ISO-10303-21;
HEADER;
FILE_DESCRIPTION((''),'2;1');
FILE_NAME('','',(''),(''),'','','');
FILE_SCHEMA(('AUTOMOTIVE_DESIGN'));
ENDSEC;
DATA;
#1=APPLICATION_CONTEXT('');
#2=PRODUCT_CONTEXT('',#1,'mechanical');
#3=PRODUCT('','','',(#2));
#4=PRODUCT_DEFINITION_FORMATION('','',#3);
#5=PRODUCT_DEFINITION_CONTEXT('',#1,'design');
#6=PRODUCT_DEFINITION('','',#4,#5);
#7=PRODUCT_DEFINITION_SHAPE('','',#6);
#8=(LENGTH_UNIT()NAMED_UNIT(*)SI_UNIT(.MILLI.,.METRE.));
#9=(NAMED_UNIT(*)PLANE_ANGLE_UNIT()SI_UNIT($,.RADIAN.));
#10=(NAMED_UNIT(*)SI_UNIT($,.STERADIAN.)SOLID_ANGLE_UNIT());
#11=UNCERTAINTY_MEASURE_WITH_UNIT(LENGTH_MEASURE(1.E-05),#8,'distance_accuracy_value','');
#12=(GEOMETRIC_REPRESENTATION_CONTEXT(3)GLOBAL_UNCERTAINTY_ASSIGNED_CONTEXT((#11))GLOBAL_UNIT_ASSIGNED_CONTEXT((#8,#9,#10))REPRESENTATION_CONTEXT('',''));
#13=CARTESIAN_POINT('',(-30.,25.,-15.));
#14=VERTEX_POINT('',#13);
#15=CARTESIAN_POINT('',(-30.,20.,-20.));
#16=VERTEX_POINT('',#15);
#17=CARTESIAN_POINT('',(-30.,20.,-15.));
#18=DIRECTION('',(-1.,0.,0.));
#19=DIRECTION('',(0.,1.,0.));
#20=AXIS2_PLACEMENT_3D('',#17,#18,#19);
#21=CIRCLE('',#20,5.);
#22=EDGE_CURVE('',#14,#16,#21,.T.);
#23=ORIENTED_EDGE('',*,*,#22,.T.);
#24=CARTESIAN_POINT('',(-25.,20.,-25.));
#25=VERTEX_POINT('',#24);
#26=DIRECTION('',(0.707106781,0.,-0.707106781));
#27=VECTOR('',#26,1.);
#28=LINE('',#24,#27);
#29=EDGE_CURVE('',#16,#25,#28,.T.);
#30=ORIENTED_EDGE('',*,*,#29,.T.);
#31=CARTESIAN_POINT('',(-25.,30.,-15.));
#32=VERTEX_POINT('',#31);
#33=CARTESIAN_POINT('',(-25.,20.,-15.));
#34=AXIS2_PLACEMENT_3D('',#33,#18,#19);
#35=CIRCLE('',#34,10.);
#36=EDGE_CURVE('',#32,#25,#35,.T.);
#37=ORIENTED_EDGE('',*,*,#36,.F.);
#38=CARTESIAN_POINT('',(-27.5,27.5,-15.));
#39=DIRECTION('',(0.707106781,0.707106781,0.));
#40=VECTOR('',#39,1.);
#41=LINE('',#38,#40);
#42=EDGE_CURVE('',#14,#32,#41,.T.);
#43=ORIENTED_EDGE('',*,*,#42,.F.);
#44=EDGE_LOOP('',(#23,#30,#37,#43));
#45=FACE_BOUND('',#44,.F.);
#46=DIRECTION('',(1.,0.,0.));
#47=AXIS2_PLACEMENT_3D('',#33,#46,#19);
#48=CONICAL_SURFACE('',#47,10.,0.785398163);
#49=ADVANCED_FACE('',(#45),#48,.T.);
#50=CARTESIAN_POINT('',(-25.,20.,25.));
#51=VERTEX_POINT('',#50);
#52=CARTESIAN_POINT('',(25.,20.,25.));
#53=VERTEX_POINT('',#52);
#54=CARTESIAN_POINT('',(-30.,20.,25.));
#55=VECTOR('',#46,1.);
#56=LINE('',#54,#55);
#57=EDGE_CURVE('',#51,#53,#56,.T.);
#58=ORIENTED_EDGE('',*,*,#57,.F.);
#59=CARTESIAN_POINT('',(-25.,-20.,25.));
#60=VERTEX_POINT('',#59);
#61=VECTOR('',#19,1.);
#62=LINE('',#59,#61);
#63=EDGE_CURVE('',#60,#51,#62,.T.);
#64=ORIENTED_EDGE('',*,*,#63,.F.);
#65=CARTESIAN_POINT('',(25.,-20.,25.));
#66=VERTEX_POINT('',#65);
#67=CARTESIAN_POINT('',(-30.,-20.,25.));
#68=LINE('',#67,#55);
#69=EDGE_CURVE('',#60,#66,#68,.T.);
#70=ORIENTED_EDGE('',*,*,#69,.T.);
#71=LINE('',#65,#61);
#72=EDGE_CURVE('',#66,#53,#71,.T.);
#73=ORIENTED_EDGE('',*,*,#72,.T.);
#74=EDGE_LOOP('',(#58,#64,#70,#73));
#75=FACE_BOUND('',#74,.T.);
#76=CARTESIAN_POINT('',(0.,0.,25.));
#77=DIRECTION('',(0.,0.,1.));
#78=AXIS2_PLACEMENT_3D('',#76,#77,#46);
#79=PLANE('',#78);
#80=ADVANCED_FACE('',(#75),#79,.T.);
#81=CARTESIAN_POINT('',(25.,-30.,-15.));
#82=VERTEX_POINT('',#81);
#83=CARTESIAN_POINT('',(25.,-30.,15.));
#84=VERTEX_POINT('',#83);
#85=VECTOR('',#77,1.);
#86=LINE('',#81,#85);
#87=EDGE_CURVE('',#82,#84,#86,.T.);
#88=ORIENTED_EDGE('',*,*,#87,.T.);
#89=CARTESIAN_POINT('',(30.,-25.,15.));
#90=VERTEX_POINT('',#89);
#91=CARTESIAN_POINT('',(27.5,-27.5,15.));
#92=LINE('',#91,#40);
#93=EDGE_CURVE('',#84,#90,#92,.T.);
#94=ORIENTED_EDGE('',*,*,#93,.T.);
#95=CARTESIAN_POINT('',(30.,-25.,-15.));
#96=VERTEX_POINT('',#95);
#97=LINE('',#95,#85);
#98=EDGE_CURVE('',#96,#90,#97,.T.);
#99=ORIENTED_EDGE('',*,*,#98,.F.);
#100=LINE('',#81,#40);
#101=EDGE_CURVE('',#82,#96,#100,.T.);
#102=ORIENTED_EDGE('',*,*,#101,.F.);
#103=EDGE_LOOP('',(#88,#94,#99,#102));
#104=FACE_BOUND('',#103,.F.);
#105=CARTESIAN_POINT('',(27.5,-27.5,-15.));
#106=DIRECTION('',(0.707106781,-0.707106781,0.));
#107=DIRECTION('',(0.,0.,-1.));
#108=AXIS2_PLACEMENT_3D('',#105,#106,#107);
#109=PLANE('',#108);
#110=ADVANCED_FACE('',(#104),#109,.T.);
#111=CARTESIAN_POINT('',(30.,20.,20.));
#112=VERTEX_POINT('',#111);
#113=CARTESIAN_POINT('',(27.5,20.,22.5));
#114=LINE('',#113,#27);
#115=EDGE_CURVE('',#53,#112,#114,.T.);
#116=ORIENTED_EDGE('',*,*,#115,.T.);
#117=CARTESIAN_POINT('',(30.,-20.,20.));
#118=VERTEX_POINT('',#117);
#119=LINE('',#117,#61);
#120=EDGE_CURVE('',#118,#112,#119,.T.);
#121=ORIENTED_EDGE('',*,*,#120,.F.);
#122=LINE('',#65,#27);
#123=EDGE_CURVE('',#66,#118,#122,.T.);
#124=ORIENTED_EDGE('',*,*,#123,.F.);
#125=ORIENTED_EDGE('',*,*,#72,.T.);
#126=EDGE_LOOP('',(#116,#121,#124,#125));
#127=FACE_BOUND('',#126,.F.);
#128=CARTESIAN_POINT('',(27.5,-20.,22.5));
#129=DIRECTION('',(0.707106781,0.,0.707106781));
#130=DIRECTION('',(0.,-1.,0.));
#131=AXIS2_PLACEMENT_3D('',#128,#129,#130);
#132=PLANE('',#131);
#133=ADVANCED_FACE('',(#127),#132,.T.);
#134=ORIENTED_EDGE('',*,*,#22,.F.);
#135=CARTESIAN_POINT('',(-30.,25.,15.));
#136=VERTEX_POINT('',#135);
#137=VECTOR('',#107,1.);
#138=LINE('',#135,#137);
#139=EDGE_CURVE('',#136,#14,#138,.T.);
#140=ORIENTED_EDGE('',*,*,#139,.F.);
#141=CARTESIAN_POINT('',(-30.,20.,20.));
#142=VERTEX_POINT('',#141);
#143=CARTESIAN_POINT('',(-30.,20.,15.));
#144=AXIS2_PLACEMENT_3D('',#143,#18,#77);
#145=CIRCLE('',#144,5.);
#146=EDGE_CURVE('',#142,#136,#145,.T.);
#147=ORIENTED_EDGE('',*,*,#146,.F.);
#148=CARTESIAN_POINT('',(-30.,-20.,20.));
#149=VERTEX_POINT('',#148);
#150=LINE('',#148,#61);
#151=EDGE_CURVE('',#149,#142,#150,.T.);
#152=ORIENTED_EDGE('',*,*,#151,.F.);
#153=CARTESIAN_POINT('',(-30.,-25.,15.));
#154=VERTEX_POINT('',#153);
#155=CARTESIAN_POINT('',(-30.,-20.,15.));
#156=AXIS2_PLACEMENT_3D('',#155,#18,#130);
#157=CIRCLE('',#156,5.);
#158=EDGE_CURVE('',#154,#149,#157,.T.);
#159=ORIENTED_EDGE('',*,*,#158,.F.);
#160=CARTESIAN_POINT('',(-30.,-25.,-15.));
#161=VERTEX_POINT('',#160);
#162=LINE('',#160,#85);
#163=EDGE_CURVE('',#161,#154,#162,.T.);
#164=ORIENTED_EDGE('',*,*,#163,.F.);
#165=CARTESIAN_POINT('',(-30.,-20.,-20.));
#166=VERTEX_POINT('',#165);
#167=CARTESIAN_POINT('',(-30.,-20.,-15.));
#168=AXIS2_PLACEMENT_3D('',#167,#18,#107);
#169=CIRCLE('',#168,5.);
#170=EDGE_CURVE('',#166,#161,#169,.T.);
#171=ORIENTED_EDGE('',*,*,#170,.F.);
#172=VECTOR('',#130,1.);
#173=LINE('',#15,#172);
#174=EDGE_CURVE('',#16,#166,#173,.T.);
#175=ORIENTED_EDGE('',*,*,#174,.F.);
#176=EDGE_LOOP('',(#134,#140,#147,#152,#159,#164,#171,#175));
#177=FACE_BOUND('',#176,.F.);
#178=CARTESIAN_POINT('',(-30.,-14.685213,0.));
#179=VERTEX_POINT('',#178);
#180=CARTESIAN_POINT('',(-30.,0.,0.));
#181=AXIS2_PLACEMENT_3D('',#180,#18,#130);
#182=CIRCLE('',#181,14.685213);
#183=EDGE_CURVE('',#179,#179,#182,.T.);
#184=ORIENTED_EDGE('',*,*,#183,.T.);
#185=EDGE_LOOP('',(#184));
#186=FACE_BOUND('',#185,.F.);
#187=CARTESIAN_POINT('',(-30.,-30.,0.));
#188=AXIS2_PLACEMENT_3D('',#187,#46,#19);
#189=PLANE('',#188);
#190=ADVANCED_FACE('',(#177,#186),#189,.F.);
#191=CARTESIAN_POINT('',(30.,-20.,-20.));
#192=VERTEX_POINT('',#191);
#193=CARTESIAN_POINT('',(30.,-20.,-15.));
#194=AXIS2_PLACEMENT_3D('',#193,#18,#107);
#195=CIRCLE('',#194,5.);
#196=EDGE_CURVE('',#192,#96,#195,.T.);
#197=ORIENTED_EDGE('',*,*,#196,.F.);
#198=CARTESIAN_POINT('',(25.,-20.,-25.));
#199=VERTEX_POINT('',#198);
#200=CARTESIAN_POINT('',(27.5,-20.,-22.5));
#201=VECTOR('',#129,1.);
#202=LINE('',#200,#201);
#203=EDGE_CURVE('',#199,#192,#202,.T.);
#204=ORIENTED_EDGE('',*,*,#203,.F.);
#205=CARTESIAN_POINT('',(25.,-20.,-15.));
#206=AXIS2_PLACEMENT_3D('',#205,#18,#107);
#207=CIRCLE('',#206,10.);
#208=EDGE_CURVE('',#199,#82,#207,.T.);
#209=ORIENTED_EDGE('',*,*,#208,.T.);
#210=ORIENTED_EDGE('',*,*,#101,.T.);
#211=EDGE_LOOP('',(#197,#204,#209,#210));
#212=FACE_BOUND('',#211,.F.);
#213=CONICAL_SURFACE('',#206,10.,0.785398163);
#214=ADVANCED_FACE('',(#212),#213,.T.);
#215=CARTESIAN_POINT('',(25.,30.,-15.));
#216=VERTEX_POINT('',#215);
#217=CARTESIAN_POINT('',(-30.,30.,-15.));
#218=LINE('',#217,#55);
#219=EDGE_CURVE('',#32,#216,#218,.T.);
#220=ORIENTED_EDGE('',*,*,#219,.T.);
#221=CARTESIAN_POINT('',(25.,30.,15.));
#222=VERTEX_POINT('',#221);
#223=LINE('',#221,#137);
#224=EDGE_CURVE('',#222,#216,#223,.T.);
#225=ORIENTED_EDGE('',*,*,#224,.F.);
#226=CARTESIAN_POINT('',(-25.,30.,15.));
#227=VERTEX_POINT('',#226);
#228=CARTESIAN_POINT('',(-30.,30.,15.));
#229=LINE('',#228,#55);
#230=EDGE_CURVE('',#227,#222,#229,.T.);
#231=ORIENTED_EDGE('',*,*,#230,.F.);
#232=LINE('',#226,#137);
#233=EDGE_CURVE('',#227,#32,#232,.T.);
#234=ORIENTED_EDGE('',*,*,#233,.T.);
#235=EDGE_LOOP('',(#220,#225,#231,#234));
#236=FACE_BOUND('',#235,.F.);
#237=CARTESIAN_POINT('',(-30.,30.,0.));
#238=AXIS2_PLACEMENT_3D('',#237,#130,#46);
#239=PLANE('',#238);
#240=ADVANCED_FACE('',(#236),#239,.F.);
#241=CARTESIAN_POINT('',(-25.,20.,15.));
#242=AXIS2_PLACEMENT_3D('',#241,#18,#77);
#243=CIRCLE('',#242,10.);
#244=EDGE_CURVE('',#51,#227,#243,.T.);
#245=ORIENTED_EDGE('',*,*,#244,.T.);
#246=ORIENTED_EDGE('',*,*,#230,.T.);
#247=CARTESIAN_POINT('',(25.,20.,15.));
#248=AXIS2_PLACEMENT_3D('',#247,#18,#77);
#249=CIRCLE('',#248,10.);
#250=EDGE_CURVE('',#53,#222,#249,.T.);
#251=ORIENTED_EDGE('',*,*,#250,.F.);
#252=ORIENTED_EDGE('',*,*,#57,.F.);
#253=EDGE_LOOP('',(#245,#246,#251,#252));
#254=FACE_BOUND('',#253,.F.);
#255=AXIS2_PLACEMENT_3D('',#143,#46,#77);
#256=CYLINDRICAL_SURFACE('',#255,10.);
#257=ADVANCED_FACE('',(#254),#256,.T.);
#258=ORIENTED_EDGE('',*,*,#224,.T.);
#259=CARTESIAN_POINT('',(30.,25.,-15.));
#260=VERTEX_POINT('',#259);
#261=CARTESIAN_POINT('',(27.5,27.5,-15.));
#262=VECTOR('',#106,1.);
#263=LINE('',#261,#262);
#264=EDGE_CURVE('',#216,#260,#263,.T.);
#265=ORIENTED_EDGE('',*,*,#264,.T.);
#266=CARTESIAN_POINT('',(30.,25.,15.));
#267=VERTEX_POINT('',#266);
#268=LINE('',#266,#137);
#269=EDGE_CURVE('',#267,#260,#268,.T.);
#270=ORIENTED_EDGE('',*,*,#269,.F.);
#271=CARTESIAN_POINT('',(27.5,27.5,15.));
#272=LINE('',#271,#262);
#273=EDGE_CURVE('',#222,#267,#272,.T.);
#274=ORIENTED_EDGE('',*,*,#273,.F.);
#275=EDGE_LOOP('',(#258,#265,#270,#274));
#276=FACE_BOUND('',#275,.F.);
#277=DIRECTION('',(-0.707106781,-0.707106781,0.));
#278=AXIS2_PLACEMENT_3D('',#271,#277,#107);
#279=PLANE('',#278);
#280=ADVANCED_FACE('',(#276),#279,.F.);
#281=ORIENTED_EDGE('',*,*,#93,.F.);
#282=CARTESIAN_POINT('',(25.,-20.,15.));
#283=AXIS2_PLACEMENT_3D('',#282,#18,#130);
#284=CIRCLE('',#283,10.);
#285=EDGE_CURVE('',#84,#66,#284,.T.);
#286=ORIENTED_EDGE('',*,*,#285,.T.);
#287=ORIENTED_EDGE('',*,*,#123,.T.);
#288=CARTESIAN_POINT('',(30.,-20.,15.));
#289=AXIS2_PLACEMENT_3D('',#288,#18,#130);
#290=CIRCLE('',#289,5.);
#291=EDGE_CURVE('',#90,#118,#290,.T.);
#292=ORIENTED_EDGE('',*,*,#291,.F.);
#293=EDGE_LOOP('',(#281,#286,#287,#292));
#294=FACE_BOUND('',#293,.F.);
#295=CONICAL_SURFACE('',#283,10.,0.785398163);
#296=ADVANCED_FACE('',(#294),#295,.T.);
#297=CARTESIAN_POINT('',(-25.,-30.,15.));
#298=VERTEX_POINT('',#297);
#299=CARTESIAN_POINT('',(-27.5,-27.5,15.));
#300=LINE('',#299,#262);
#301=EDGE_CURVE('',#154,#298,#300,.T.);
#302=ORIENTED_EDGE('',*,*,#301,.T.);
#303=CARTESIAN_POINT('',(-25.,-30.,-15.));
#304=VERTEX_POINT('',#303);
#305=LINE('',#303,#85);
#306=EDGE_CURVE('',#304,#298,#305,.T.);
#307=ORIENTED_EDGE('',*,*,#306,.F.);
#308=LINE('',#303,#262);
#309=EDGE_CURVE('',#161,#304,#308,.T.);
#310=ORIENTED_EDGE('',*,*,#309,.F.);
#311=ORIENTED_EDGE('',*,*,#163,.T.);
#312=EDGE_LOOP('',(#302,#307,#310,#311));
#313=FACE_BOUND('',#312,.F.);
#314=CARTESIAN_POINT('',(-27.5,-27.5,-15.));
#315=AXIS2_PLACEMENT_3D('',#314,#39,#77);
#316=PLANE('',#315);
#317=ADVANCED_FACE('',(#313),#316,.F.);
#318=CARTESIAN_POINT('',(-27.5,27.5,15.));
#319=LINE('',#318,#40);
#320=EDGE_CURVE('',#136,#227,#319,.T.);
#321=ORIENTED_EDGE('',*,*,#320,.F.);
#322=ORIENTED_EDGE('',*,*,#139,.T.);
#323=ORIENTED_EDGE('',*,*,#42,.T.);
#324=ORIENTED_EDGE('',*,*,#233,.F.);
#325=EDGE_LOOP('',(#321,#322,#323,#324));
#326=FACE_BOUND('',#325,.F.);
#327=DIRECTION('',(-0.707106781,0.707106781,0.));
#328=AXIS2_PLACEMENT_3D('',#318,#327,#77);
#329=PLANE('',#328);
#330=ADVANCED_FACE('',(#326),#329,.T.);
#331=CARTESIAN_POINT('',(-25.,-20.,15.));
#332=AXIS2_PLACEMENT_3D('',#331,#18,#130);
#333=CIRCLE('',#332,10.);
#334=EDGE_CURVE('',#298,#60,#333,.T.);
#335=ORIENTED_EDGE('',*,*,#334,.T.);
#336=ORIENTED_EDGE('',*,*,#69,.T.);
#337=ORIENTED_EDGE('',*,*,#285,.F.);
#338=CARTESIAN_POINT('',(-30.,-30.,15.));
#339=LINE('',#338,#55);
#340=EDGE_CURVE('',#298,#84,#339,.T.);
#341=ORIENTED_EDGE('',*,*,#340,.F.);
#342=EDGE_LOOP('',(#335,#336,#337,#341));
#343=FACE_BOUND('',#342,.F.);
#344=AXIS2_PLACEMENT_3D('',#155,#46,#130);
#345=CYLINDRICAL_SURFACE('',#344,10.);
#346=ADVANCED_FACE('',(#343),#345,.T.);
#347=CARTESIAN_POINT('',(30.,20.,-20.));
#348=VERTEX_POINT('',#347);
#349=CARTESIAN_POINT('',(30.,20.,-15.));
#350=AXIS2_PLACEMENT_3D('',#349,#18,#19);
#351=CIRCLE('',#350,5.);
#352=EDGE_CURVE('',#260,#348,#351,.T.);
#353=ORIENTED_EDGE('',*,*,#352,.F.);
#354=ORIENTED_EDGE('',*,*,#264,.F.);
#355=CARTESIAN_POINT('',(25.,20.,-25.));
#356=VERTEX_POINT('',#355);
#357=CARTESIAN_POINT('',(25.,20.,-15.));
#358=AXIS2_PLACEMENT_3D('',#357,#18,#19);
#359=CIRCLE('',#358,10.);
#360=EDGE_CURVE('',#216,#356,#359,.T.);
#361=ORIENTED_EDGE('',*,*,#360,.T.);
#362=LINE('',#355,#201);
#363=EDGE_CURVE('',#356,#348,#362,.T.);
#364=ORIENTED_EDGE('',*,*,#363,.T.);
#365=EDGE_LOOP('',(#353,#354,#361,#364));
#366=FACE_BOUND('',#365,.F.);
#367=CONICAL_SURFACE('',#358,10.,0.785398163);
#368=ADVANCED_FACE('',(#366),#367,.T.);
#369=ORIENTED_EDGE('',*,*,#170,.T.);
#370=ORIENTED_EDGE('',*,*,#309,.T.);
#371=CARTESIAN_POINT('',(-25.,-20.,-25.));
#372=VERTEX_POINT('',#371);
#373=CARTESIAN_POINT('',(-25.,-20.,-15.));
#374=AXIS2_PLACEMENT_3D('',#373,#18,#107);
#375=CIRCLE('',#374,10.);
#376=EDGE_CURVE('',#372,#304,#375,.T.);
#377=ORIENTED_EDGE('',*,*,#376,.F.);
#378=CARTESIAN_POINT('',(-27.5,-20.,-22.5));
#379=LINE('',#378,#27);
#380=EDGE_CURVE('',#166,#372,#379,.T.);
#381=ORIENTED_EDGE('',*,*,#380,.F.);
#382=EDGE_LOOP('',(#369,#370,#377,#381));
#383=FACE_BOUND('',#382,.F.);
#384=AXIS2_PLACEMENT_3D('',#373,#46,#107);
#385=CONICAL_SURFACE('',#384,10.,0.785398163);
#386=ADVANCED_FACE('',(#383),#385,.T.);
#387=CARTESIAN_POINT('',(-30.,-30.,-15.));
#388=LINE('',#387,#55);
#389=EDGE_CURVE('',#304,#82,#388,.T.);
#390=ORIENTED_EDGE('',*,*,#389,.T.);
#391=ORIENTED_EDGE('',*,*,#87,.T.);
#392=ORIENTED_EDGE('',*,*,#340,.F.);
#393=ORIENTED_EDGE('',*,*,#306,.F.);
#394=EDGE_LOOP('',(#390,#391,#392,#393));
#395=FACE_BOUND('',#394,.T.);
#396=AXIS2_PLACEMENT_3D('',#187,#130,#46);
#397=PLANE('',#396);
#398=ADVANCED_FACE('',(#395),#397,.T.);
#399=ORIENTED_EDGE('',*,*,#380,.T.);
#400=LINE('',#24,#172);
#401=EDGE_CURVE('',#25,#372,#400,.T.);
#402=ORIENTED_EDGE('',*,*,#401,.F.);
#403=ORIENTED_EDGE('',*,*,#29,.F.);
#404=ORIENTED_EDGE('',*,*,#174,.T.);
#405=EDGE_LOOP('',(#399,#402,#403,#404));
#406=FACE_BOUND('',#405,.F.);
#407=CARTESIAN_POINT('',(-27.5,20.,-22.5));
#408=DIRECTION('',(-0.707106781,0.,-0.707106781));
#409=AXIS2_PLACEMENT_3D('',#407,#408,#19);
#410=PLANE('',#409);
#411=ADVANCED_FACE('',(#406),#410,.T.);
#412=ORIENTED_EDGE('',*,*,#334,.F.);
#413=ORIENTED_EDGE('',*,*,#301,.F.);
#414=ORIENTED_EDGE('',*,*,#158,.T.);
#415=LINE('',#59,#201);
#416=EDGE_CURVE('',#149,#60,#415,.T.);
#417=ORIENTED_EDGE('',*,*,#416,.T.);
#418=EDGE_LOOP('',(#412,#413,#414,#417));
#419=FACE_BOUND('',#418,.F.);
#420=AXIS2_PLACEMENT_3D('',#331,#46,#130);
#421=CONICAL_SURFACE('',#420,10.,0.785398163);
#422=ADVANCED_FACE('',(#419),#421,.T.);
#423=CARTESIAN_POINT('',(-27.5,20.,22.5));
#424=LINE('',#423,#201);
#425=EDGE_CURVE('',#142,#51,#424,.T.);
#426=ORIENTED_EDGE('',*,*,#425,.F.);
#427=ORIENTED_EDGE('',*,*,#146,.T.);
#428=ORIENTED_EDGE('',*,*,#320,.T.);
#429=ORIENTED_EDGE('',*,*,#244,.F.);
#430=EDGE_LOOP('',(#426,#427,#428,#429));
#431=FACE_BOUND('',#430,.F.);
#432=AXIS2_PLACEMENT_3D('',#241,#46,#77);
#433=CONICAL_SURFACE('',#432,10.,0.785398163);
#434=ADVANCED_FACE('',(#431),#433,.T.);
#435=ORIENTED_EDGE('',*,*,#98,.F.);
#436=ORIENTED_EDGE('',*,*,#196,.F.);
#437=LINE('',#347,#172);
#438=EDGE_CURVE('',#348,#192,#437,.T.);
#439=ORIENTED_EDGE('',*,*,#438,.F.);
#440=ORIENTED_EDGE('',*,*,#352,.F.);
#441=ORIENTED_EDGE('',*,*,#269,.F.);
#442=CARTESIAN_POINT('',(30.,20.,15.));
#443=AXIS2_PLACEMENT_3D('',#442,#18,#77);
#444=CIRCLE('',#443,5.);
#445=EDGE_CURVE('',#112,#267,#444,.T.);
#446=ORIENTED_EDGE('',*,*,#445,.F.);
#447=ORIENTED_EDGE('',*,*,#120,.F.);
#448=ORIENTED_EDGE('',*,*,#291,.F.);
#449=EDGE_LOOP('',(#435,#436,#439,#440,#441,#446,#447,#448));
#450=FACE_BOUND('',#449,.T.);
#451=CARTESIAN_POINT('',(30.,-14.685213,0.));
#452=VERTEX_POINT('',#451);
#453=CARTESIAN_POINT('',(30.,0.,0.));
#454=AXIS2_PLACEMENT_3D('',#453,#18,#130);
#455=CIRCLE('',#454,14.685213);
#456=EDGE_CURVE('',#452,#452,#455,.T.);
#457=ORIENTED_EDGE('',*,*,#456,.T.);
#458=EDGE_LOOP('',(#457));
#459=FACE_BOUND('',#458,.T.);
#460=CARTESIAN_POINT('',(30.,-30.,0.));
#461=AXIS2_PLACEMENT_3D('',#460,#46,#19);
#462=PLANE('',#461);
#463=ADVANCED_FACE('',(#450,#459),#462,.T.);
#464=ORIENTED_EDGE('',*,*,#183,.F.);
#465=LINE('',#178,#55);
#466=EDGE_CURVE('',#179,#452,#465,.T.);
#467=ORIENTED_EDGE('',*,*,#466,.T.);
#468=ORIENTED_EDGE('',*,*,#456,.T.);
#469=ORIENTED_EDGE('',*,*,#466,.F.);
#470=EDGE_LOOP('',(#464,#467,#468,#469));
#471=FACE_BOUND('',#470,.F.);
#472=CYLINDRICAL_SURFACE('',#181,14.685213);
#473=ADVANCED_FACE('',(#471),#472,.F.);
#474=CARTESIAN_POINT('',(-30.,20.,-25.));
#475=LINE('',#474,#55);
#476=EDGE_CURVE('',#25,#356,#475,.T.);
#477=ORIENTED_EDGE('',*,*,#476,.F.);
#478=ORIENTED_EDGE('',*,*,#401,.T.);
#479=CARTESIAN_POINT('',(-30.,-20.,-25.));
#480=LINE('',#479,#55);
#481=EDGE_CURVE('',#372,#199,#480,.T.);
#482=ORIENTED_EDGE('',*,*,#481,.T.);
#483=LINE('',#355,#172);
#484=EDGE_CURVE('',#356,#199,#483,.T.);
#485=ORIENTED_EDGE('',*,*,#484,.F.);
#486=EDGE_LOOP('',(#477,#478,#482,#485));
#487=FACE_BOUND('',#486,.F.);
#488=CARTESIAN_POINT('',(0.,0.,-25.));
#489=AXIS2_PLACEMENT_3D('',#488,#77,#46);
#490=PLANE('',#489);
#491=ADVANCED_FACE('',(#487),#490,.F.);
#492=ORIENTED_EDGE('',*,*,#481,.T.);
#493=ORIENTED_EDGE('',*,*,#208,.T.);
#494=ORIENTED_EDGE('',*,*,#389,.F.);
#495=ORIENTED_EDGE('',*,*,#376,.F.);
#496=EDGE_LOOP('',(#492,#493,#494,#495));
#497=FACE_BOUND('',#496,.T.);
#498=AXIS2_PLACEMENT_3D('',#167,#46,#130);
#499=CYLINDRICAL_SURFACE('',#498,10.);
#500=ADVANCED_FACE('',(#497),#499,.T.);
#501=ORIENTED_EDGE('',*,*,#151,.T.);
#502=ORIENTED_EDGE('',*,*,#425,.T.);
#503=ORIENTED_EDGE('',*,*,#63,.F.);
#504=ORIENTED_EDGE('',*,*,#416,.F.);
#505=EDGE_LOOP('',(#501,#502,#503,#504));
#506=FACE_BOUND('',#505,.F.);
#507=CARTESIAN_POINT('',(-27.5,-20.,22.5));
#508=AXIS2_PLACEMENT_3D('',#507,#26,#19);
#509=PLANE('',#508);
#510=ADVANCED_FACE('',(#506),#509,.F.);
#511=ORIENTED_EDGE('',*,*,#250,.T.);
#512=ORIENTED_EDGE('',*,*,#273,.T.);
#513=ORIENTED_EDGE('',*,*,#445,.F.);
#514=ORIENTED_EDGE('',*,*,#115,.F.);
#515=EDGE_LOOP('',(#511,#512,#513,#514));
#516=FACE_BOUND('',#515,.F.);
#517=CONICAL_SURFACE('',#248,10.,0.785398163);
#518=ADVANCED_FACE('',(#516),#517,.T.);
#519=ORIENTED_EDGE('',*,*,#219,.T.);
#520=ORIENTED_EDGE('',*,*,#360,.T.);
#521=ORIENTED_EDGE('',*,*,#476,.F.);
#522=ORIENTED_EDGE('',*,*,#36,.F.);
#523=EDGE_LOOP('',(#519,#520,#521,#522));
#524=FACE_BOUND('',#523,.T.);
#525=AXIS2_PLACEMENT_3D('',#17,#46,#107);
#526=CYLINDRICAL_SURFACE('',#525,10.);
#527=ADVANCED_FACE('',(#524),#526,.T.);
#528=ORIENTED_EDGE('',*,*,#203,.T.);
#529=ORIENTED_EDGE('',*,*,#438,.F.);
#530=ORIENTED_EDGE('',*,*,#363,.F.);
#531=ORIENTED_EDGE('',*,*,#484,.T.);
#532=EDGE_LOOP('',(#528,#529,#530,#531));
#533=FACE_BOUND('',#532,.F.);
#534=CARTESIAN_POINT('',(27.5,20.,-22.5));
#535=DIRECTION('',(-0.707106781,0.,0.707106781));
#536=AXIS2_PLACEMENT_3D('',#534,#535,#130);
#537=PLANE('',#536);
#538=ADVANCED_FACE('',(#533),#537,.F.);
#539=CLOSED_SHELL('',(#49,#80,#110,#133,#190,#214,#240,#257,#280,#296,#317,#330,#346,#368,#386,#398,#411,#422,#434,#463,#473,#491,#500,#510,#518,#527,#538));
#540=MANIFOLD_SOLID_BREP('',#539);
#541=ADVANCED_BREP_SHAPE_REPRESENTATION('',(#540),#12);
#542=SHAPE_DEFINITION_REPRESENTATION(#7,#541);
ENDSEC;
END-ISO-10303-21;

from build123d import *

# Parameters (mm, degrees)
F0_W          = 60
F0_H          = 60
F1_DEPTH      = 25
F1_DEPTH_BACK = 25
F3_R          = 14.685213
F4_DEPTH      = 60.001
F5_R          = 10
F6_SIZE2      = 5
F6_SIZE       = 5


with BuildPart() as f1:
    # F0 (on Top) → F1 (new body, two sides)
    with BuildSketch(Plane.XY) as f1_sk:
        Rectangle(F0_W, F0_H)
    extrude(amount=F1_DEPTH)
    extrude(f1_sk.sketch, amount=-F1_DEPTH_BACK)

    # F3 (on offset) → F4 (cut, through all)
    with BuildSketch(Plane(origin=(-30, 0, 0), x_dir=(0, -1, 0), z_dir=(-1, 0, 0))):
        Circle(F3_R)
    extrude(amount=-F4_DEPTH, mode=Mode.SUBTRACT)

    # F5
    f5_edges = [f1.edges().sort_by_distance(p)[0] for p in [
        (0, 30, -25),
        (0, 30, 25),
        (0, -30, 25),
        (0, -30, -25),
    ]]
    fillet(f5_edges, radius=F5_R)

    # F6
    f6_edges = [f1.edges().sort_by_distance(p)[0] for p in [
        (30, 30, 0),
        (-30, 30, 0),
    ]]
    chamfer(f6_edges, length=F6_SIZE, length2=F6_SIZE2)


solid = f1.part
